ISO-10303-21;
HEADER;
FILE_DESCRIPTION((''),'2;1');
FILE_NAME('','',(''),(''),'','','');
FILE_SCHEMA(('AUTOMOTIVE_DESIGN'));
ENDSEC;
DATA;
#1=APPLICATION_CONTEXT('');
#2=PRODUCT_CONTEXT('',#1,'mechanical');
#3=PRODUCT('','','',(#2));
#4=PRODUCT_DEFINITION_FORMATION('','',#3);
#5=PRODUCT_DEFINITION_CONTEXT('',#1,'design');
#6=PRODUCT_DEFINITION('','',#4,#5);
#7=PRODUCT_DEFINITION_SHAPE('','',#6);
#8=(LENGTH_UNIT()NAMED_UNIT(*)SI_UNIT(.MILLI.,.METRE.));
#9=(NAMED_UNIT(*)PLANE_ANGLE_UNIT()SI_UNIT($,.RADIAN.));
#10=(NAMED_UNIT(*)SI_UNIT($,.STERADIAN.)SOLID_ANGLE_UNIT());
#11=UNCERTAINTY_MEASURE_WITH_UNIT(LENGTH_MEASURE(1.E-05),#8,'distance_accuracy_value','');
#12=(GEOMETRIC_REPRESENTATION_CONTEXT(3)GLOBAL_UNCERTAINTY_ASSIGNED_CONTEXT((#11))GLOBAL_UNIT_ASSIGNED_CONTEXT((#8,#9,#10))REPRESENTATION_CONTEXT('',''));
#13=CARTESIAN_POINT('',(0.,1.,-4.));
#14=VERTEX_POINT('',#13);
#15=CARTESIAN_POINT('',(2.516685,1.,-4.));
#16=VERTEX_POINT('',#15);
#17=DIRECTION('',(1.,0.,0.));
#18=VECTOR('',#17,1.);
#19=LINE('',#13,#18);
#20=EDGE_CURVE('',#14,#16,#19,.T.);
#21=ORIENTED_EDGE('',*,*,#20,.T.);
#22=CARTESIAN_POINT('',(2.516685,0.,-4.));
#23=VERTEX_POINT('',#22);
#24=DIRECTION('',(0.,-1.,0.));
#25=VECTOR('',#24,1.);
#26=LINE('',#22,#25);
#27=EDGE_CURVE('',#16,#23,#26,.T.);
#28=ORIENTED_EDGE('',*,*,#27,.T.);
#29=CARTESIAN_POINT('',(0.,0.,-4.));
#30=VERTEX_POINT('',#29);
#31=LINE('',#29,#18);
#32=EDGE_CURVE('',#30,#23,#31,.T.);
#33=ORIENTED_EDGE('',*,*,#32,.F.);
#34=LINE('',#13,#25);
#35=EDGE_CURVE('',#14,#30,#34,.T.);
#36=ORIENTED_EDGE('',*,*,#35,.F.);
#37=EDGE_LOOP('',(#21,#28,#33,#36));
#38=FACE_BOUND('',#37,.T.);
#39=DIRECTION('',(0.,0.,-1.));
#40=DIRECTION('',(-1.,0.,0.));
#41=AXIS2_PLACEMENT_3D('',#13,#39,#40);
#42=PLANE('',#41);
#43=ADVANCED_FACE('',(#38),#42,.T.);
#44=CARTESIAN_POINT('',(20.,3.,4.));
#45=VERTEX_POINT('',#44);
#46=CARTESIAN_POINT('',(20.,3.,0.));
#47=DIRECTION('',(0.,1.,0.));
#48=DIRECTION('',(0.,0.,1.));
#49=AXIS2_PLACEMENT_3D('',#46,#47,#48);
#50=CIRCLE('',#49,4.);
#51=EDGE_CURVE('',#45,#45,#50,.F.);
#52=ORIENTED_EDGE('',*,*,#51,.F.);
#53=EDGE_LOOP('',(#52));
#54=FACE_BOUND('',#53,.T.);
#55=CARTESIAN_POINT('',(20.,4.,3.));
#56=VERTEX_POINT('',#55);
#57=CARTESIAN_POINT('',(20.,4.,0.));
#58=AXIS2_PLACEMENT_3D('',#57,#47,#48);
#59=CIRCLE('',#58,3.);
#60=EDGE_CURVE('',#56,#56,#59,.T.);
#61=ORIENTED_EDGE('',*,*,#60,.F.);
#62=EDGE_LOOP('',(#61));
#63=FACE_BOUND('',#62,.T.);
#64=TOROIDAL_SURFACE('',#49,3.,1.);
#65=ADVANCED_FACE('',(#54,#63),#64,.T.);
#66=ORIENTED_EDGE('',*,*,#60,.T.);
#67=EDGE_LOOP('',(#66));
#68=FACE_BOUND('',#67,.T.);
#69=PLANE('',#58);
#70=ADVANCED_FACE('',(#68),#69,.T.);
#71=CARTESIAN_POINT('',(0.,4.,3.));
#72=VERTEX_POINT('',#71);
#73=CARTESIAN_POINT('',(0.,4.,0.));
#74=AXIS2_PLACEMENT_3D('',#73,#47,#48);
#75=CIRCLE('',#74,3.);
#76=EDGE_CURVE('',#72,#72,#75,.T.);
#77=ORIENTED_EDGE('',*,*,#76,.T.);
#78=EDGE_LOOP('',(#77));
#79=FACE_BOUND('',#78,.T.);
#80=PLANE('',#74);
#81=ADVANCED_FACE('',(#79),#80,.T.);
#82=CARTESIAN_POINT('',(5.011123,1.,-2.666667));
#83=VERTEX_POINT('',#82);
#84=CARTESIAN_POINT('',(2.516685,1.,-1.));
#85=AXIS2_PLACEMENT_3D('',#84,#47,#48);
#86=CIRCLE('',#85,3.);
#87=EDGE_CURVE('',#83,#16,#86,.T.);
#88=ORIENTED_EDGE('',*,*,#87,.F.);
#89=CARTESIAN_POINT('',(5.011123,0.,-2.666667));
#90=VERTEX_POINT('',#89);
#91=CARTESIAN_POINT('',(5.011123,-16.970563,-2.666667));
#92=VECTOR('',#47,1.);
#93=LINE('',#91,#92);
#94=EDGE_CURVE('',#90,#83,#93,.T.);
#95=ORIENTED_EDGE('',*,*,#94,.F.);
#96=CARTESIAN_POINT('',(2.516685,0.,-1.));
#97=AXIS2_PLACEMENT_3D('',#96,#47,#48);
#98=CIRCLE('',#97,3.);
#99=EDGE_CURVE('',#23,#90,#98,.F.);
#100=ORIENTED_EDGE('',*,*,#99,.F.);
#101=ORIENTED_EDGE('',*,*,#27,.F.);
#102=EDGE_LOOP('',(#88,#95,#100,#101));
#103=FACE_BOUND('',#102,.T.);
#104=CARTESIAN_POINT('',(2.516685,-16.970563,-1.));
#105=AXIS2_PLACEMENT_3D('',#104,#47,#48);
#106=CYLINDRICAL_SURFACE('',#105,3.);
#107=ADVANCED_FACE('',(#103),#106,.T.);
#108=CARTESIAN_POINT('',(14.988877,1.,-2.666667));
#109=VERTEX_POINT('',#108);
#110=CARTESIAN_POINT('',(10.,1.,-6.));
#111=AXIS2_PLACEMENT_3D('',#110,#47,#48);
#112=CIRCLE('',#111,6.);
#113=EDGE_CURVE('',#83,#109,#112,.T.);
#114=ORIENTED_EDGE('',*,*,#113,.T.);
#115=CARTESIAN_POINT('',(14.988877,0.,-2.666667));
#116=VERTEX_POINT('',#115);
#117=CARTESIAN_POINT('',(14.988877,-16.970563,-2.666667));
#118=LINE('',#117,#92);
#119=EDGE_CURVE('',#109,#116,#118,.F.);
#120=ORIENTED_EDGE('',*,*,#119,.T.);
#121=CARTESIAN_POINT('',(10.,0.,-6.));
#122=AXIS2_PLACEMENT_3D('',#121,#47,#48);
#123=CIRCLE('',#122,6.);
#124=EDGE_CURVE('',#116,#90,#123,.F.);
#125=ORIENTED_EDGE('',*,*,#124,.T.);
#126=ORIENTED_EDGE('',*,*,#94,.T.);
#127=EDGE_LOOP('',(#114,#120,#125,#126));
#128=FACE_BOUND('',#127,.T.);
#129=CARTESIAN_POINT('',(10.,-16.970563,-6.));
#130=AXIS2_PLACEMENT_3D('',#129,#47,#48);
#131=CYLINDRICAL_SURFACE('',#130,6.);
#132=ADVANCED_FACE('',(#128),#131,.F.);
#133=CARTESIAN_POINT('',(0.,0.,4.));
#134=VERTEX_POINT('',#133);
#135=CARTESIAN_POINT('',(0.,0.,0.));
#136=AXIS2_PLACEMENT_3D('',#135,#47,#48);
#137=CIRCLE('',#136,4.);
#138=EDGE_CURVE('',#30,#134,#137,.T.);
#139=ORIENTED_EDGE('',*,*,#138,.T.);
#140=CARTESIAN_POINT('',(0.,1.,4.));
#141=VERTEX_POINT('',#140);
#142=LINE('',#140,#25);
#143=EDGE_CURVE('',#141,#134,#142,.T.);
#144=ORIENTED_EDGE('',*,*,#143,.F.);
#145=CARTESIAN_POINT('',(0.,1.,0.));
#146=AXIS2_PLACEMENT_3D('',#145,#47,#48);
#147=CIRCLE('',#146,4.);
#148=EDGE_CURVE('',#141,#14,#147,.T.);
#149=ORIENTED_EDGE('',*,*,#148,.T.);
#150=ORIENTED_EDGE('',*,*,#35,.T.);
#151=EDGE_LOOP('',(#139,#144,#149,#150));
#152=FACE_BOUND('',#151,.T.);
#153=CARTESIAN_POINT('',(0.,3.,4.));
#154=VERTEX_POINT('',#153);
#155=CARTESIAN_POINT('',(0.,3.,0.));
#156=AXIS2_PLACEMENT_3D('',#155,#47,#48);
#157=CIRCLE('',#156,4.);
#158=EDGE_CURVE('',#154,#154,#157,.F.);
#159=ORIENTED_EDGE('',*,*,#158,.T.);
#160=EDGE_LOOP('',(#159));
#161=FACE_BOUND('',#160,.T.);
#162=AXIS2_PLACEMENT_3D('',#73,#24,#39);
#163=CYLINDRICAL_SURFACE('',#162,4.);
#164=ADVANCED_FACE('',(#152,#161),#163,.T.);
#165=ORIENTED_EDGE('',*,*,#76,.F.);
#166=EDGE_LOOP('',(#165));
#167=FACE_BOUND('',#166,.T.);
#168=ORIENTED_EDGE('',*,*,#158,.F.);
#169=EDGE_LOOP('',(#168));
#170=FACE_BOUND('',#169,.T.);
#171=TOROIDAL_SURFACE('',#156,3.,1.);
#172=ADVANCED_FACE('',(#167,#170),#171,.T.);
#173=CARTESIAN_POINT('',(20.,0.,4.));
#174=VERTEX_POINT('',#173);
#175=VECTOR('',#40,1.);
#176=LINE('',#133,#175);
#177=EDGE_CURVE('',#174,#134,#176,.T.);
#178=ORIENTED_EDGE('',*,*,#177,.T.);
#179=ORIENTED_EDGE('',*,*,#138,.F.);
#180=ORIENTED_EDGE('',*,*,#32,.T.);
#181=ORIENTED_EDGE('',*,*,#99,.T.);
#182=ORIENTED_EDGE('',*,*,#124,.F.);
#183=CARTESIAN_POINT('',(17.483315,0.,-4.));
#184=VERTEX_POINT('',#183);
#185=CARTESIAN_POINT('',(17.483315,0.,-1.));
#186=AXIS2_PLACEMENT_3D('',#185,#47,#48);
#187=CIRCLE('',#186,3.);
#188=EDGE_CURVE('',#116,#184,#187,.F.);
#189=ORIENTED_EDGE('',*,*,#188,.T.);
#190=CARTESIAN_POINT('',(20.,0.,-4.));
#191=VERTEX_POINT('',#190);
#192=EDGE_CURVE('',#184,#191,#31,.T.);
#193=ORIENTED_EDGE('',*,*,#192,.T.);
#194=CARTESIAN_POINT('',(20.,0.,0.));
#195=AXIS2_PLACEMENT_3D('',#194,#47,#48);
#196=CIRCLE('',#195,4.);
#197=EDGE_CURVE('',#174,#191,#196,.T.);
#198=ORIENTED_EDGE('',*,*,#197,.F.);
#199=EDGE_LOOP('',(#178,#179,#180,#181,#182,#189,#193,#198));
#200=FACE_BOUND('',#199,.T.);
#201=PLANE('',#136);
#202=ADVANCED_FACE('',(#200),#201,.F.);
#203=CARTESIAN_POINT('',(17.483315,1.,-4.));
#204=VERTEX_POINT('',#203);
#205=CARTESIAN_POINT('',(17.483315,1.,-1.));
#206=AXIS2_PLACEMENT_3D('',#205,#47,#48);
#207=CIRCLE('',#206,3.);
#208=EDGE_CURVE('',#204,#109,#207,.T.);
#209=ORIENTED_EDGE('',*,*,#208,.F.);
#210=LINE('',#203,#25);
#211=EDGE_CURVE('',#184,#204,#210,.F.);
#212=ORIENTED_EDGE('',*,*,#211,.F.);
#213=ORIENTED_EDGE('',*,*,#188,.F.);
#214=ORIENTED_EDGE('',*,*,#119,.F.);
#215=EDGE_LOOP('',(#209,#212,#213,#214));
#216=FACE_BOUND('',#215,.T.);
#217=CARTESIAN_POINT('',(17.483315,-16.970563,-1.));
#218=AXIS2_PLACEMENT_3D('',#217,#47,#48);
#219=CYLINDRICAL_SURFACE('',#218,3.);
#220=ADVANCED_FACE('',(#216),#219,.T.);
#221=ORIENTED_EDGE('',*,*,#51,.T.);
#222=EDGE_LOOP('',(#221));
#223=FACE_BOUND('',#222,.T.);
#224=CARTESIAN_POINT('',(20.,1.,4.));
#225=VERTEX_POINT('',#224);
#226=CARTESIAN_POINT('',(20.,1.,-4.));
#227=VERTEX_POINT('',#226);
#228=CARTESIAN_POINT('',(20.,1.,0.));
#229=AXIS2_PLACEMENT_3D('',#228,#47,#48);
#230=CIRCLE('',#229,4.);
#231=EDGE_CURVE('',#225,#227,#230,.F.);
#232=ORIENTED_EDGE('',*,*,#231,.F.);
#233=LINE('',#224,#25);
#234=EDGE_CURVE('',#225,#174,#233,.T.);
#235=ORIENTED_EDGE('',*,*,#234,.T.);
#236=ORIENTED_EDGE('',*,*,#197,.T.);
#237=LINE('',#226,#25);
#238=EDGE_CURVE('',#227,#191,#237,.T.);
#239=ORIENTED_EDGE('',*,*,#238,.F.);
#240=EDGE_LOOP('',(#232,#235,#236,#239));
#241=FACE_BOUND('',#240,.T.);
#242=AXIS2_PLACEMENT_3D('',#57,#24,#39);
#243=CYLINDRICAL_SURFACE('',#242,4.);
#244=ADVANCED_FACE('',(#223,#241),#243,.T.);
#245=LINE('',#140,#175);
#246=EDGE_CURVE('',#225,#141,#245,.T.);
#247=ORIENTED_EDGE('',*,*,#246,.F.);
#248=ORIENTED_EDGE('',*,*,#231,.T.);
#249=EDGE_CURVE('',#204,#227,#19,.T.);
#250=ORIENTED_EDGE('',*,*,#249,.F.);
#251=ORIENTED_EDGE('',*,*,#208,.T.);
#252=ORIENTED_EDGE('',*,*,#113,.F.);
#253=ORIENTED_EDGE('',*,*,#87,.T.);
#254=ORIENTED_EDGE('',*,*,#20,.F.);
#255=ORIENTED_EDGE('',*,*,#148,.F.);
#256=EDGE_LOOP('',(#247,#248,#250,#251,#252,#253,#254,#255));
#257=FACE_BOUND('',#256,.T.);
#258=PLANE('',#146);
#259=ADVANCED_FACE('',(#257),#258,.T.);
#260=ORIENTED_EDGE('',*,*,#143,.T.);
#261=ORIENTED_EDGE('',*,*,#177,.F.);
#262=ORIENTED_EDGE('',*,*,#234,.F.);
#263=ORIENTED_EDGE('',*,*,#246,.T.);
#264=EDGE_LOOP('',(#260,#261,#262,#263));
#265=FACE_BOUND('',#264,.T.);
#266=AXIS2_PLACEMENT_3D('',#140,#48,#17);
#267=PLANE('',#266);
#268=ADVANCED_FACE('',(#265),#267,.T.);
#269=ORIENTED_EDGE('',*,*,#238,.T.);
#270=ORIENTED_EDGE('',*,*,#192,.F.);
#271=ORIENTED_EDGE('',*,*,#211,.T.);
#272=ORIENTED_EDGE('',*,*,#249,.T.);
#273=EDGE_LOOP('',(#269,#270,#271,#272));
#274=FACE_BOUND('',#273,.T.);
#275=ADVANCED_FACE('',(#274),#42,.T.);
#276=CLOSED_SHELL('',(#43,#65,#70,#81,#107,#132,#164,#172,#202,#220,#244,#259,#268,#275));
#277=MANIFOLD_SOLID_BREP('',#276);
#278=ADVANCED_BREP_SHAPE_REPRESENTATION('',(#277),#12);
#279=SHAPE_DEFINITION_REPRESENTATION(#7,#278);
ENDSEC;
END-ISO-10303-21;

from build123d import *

# Parameters (mm, degrees)
SKETCH1_R             = 4
BOSS_EXTRUDE1_DEPTH   = 4
BOSS_EXTRUDE1_2_DEPTH = 4
FILLET1_R             = 1
FILLET2_R             = 1
SKETCH2_W             = 20
SKETCH2_H             = 8
BOSS_EXTRUDE2_DEPTH   = 1
SKETCH3_R             = 6
CUT_EXTRUDE1_DEPTH    = 1
FILLET3_R             = 3


with BuildPart() as part:
    # Sketch1 → Boss-Extrude1 (new body)
    with BuildSketch(Plane(origin=(0, 0, 0), x_dir=(1, 0, 0), z_dir=(0, 1, 0))):
        with Locations(Location((0, 0, 0), (0, 0, 270))):
            Circle(SKETCH1_R)
    extrude(amount=BOSS_EXTRUDE1_DEPTH)

    # Fillet1
    fillet1_edges = [part.edges().sort_by_distance(p)[0] for p in [
        (0, 4, -4),
    ]]
    fillet(fillet1_edges, radius=FILLET1_R)



with BuildPart() as body_2:
    # Sketch1 → Boss-Extrude1 2 (new body)
    with BuildSketch(Plane(origin=(0, 0, 0), x_dir=(1, 0, 0), z_dir=(0, 1, 0))):
        with Locations(Location((20, 0, 0), (0, 0, 270))):
            Circle(SKETCH1_R)
    extrude(amount=BOSS_EXTRUDE1_2_DEPTH)

    # Fillet2
    fillet2_edges = [body_2.edges().sort_by_distance(p)[0] for p in [
        (20, 4, -4),
    ]]
    fillet(fillet2_edges, radius=FILLET2_R)


with BuildPart() as part_1:
    add(part.part)

    add(body_2.part)  # Boss-Extrude2 merges body 2
    # Sketch2 → Boss-Extrude2 (add)
    with BuildSketch(Plane(origin=(0, 0, 0), x_dir=(-1, 0, 0), z_dir=(0, -1, 0))):
        with Locations((-10, 0)):
            Rectangle(SKETCH2_W, SKETCH2_H)
    extrude(amount=-BOSS_EXTRUDE2_DEPTH)

    # Sketch3 → Cut-Extrude1 (cut)
    with BuildSketch(Plane(origin=(0, 1, 0), x_dir=(1, 0, 0), z_dir=(0, 1, 0))):
        with Locations((10, 6)):
            Circle(SKETCH3_R)
    extrude(amount=-CUT_EXTRUDE1_DEPTH, mode=Mode.SUBTRACT)

    # Fillet3
    fillet3_edges = [part_1.edges().sort_by_distance(p)[0] for p in [
        (4.343145751, 0.5, -4),
        (15.656854249, 0.5, -4),
    ]]
    fillet(fillet3_edges, radius=FILLET3_R)


solid = part_1.part
